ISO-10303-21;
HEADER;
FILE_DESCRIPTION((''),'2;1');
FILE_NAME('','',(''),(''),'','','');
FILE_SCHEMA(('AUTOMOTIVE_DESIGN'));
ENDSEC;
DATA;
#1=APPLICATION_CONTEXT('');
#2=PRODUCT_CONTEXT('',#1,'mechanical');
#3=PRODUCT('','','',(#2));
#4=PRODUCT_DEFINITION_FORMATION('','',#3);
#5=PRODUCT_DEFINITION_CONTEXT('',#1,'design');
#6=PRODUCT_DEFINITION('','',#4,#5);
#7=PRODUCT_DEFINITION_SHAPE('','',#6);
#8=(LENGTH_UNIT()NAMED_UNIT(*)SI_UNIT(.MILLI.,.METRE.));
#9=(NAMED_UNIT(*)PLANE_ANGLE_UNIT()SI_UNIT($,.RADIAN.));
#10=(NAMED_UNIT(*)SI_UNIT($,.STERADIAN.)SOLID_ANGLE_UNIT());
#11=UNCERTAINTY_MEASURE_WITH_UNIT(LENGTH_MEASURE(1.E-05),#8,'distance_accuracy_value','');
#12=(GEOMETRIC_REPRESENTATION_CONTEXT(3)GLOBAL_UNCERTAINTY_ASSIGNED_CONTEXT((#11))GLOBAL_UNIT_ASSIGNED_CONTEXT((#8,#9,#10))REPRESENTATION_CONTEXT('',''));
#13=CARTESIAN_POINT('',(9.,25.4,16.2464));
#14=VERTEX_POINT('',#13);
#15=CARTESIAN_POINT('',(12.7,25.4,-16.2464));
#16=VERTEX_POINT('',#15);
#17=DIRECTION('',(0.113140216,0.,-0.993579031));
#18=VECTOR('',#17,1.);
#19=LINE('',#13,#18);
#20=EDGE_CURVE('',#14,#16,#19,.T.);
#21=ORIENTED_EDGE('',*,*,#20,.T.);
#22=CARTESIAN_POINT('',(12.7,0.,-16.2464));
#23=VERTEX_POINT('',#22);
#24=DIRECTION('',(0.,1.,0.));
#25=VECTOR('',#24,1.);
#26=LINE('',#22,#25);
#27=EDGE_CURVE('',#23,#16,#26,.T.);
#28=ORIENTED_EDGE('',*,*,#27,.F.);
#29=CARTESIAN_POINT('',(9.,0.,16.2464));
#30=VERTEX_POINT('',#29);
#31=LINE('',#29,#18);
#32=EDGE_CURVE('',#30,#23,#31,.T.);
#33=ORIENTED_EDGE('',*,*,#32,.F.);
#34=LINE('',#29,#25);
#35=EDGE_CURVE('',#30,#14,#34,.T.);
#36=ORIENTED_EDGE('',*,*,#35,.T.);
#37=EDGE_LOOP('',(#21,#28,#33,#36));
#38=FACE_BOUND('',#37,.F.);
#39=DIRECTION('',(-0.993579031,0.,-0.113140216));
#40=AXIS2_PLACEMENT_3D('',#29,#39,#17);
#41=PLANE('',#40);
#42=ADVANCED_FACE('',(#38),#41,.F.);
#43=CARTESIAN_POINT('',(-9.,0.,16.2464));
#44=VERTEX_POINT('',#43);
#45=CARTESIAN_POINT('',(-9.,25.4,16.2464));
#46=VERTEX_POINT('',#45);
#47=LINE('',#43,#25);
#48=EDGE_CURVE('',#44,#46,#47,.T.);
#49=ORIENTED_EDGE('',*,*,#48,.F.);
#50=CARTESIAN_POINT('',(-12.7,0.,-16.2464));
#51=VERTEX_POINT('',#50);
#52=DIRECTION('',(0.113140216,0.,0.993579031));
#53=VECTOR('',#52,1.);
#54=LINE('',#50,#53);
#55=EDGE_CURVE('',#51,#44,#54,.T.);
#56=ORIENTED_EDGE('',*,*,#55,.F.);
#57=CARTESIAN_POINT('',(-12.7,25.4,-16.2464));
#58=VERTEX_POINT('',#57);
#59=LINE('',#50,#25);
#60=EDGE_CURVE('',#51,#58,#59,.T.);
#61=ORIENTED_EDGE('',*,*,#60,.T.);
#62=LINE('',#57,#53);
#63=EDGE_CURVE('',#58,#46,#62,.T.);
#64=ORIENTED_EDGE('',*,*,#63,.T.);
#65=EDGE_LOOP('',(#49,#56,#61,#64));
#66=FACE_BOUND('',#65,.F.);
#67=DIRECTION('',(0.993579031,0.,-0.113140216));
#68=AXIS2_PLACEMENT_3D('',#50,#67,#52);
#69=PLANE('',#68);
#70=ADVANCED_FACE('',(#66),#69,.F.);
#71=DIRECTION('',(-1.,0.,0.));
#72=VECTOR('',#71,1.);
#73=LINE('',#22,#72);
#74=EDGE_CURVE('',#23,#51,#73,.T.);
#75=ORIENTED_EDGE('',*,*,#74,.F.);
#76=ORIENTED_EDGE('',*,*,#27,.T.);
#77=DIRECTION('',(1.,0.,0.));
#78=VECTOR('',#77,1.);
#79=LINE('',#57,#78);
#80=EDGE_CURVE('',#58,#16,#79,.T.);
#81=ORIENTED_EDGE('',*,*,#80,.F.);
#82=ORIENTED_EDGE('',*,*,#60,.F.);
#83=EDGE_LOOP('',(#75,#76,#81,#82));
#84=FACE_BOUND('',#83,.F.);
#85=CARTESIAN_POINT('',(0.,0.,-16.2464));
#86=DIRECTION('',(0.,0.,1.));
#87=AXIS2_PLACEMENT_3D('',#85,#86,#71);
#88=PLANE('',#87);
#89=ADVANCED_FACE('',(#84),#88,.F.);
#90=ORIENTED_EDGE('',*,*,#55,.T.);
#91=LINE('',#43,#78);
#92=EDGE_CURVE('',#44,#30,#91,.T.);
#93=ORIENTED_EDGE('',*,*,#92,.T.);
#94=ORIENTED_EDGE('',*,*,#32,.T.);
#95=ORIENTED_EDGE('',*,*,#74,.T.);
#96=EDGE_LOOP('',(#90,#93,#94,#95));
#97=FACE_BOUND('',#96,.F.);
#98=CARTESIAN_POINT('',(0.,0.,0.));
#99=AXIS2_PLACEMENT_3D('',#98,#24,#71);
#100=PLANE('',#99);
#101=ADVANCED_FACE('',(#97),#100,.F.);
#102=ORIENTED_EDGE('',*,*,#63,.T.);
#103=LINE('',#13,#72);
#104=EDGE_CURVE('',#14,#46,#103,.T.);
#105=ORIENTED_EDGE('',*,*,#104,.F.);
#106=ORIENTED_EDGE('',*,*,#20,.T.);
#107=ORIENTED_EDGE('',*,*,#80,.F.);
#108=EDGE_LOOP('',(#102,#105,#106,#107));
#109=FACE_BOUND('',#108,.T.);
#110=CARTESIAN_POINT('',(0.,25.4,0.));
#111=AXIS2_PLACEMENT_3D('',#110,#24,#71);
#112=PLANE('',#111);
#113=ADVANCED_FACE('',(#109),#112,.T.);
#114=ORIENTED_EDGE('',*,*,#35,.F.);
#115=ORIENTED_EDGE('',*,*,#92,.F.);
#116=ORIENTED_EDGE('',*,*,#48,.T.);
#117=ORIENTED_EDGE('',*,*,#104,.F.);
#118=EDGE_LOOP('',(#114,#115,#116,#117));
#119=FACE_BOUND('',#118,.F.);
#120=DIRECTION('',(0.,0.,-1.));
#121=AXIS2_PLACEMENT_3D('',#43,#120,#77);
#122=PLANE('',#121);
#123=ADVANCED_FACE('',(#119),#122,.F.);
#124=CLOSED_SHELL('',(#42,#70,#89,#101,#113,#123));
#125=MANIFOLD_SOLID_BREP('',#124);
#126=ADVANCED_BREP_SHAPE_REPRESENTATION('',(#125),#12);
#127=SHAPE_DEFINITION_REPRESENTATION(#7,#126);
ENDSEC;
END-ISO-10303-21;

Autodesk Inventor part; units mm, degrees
ref_plane "YZ Plane" through (0, 0, 0) normal (1, 0, 0) x (0, 1, 0)
ref_plane "XZ Plane" through (0, 0, 0) normal (0, 1, 0) x (-1, 0, 0)
ref_plane "XY Plane" through (0, 0, 0) normal (0, 0, 1) x (1, 0, 0)
sketch "Sketch1" plane through (0, 0, 0) normal (0, 1, 0) x (-1, 0, 0)
  line L0 (9, 16.2464) -> (-9, 16.2464)
  line L1 (-9, 16.2464) -> (-12.7, -16.2464)
  line L2 (-12.7, -16.2464) -> (12.7, -16.2464)
  line L3 (12.7, -16.2464) -> (9, 16.2464)
  line L4 (0, -16.2464) -> (0, 16.2464)
  point P0 (0, 0)
  point P1 (0, 0)
  dimension "d6" = 18
  dimension "d27" = 25.4
extrude "Extrusion1" add sketch "Sketch1" along normal blind 25.4
properties part number "Cap"
